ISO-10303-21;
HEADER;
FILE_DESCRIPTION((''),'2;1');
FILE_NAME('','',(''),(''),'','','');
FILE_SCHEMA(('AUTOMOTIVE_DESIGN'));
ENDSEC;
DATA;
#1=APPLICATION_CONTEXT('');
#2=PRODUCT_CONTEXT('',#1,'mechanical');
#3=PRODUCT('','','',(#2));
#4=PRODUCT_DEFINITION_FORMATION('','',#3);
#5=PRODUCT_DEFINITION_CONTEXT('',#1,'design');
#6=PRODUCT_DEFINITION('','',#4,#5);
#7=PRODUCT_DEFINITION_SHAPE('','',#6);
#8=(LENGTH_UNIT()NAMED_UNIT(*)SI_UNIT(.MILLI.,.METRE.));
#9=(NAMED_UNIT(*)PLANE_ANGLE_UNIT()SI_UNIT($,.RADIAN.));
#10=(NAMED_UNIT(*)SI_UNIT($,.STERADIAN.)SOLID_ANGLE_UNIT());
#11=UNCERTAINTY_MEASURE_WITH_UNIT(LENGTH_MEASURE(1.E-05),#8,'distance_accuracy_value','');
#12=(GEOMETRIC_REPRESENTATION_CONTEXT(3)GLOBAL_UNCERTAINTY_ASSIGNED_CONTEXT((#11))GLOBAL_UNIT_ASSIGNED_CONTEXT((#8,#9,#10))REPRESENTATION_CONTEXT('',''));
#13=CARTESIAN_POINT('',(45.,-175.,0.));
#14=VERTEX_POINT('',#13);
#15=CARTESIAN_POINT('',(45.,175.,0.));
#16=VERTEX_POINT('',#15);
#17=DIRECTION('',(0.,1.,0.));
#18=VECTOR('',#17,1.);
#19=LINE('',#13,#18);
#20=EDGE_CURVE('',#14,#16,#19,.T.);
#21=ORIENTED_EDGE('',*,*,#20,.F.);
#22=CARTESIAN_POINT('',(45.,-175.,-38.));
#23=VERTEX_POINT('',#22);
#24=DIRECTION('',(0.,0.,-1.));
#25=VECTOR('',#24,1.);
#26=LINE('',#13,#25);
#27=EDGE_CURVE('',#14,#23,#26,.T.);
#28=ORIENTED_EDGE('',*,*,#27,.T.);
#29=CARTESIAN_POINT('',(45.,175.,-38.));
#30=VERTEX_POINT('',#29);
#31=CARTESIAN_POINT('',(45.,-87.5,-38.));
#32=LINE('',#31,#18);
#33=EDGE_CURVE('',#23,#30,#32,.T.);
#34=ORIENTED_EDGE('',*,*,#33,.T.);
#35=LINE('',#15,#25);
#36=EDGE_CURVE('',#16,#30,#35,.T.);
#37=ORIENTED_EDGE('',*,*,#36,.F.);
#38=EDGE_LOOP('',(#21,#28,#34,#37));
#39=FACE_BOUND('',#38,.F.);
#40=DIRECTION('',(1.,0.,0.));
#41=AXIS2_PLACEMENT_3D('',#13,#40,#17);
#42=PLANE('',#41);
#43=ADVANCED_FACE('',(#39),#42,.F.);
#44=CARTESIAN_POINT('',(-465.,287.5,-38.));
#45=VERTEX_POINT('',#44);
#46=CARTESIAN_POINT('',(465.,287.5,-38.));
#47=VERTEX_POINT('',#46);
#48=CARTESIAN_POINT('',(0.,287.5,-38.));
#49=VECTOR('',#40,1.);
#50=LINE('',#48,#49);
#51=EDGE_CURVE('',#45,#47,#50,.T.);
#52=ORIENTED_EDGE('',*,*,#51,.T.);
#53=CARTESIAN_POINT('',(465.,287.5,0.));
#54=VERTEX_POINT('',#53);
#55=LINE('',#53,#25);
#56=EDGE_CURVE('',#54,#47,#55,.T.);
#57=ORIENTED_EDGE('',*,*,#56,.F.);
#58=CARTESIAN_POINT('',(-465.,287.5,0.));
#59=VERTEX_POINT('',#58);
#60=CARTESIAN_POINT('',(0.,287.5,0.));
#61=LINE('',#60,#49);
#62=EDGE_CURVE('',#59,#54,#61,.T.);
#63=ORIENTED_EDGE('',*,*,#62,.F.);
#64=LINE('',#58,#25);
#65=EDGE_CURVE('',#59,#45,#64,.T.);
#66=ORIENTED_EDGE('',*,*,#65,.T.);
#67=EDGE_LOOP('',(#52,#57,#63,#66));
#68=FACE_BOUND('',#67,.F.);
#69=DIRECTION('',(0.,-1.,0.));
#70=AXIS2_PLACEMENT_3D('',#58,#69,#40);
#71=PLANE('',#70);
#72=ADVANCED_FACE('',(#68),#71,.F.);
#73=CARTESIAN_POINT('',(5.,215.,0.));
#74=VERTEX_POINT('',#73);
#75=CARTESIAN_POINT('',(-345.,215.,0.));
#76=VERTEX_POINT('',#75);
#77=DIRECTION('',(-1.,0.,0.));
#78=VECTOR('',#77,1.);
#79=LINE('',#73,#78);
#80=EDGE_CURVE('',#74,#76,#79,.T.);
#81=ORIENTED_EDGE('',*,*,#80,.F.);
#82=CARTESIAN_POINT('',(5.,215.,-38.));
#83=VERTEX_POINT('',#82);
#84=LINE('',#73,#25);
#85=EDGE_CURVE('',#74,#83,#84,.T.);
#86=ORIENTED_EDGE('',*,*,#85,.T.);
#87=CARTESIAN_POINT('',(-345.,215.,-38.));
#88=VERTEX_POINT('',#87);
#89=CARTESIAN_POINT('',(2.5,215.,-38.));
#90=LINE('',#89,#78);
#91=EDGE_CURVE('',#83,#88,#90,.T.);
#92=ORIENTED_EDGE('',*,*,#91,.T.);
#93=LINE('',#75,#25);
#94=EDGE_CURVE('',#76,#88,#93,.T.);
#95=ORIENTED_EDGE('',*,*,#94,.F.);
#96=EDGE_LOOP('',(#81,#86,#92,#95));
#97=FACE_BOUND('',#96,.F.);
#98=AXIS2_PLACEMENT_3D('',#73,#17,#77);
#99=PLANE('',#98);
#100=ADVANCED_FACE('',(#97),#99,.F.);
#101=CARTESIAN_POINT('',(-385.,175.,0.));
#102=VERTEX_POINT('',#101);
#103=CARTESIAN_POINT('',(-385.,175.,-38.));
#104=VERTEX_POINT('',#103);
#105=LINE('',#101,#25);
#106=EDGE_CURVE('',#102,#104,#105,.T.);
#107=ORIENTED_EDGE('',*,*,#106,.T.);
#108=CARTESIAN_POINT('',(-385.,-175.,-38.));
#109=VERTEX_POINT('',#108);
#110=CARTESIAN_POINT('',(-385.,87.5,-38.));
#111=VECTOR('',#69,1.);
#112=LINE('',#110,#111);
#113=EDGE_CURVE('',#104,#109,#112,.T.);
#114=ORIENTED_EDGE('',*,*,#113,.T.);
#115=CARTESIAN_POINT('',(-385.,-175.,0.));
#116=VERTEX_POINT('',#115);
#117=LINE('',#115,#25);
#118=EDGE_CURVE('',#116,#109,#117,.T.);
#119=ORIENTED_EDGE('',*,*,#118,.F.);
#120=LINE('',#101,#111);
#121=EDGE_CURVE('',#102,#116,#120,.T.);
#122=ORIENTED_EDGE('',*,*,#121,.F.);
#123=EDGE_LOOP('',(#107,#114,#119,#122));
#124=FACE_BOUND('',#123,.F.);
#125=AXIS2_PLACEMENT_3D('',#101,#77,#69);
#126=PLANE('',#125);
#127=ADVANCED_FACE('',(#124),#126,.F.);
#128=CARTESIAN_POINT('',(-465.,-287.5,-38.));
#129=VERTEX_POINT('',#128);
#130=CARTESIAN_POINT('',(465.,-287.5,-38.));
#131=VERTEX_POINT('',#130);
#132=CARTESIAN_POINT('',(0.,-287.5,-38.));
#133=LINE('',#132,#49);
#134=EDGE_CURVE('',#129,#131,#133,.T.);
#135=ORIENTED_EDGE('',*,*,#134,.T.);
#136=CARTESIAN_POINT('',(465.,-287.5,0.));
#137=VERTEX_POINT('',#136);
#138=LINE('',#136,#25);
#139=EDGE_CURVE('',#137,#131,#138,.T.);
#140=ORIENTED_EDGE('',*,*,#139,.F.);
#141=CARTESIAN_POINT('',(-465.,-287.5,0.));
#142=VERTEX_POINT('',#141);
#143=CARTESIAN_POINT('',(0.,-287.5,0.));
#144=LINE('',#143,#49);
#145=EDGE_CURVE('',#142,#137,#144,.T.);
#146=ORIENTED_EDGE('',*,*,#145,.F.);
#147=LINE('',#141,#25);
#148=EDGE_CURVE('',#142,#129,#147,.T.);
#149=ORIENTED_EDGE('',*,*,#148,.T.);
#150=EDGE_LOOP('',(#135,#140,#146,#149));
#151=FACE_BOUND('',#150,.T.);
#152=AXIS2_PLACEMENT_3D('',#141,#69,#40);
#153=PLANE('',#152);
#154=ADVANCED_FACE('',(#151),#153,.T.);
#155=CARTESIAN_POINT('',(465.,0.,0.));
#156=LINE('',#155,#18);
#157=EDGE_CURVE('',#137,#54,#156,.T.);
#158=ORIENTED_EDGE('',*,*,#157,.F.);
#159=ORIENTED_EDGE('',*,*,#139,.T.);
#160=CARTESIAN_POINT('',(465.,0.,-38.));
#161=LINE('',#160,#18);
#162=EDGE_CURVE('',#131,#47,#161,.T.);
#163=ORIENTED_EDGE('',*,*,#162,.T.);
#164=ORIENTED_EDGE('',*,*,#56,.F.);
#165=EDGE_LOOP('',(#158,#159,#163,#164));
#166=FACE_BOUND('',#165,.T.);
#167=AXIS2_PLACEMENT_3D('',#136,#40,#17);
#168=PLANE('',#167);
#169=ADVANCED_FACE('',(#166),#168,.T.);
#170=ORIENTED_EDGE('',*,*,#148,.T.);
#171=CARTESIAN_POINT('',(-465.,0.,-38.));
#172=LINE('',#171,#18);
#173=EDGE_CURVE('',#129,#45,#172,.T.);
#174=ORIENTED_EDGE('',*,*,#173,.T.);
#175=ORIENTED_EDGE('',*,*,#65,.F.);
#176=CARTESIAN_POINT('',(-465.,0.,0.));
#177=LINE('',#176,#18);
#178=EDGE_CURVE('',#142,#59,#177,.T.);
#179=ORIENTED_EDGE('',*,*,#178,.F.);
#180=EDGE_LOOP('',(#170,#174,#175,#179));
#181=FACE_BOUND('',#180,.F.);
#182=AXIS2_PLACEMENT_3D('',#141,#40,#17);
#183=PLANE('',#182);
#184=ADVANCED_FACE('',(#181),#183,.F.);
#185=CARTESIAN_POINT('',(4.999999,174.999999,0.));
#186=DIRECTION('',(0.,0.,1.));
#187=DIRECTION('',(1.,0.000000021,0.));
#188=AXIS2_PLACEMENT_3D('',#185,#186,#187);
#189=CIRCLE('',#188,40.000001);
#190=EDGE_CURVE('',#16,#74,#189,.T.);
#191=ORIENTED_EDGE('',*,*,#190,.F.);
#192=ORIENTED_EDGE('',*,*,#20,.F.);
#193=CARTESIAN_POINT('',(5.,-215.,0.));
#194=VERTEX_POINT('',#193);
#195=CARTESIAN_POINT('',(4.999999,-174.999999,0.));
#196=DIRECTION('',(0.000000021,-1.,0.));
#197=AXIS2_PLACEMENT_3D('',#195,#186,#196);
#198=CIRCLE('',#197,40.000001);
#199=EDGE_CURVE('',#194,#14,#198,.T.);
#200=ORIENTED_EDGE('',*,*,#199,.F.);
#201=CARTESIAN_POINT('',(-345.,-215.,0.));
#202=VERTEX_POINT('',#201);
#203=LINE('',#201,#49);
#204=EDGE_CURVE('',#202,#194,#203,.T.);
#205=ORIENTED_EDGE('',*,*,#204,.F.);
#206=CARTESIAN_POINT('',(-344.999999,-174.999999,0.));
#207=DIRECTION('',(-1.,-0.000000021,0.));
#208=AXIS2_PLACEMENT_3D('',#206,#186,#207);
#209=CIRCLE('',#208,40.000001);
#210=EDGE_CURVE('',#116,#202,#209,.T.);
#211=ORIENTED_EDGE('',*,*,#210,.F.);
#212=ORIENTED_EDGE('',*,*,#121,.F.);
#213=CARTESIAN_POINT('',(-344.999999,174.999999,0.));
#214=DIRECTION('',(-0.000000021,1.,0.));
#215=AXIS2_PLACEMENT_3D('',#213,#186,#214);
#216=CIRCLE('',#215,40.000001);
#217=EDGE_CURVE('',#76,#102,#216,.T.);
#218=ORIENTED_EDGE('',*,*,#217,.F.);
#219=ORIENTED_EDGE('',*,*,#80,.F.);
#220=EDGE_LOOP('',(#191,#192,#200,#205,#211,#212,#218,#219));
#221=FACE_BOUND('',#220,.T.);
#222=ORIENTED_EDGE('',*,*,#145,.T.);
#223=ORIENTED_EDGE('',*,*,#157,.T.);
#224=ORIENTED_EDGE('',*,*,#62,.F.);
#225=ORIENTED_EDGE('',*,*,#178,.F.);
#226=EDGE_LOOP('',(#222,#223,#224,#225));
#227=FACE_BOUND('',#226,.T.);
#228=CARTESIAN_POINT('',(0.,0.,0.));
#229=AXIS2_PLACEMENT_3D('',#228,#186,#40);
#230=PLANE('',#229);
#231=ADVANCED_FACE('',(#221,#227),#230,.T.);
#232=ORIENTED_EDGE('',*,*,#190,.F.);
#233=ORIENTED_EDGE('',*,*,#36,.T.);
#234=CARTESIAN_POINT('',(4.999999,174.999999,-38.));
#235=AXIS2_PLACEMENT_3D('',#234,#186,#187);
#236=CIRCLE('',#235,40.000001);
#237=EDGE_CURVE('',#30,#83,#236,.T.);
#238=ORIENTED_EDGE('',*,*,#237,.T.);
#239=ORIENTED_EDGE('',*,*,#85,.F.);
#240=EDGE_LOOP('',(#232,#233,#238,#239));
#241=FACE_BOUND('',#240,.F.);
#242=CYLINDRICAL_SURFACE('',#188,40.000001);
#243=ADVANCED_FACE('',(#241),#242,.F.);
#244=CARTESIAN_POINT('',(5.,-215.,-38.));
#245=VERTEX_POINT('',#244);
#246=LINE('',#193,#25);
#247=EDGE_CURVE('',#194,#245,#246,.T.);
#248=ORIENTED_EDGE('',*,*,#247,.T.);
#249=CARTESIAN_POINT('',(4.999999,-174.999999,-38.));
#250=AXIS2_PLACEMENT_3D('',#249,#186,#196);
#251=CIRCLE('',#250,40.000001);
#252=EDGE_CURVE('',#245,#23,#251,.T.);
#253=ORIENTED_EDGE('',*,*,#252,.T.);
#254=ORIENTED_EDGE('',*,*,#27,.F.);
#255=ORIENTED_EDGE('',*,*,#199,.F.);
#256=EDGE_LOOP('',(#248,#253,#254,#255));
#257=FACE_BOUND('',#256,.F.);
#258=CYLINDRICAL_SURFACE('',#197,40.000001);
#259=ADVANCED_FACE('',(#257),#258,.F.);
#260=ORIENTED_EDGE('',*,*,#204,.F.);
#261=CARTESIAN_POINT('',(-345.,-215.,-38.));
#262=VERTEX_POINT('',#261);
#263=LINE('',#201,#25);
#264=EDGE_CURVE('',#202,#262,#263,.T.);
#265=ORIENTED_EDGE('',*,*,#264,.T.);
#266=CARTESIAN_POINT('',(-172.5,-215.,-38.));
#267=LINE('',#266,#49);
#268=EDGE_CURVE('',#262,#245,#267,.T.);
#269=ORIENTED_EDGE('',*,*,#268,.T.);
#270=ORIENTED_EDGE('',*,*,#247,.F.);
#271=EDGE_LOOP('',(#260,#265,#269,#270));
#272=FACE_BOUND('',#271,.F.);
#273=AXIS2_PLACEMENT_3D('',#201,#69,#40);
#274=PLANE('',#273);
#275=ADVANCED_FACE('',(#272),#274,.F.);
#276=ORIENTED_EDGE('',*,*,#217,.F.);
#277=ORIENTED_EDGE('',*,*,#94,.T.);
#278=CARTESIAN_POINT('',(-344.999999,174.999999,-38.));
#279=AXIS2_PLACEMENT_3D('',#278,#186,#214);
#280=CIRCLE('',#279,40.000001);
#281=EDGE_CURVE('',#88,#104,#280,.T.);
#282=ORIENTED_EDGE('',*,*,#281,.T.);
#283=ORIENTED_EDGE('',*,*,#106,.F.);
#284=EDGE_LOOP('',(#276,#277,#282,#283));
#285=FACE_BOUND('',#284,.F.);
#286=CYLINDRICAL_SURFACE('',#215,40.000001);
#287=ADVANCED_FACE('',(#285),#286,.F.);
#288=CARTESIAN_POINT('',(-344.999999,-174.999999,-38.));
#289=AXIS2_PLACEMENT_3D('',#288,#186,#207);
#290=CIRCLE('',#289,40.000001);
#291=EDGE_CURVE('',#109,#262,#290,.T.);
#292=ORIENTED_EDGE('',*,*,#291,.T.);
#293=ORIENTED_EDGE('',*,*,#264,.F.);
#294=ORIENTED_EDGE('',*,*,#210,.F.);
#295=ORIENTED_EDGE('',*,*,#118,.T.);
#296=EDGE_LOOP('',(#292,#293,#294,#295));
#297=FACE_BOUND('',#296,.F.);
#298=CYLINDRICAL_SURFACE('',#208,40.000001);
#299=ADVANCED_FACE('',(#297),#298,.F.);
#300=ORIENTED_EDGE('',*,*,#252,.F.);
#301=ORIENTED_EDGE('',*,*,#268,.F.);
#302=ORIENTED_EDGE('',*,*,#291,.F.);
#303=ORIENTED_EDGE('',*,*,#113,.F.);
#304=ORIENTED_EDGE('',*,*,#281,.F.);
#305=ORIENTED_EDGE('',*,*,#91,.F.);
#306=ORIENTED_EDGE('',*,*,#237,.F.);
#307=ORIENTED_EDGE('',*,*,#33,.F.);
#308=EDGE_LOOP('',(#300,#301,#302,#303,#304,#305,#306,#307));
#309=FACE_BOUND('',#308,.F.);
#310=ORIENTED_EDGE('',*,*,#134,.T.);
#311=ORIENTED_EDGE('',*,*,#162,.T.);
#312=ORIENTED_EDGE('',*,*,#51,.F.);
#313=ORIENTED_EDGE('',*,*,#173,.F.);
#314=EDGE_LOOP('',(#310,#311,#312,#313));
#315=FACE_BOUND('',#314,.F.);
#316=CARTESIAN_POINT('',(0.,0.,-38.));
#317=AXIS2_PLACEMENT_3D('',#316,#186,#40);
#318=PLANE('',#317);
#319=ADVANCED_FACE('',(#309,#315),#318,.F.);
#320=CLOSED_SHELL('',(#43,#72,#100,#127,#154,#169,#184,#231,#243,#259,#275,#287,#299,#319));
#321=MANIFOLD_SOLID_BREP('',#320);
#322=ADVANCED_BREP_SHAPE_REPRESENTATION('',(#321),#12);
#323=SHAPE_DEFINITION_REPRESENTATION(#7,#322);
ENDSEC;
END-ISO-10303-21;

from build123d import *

# Parameters (mm, degrees)
F0_W     = 930
F0_H     = 575
F1_DEPTH = 38
F3_DEPTH = 38.001


with BuildPart() as f1:
    # F0 (on Top) → F1 (new body)
    with BuildSketch(Plane.XY):
        Rectangle(F0_W, F0_H)
    extrude(amount=-F1_DEPTH)

    # F2 (on face) → F3 (cut, through all)
    with BuildSketch(Plane.XY):
        with BuildLine():
            Line((5, 215), (-345, 215))
            ThreePointArc((-345, 215), (-373.284271, 203.284271), (-385, 175))
            Line((-385, 175), (-385, -175))
            ThreePointArc((-385, -175), (-373.284271, -203.284271), (-345, -215))
            Line((-345, -215), (5, -215))
            ThreePointArc((5, -215), (33.284271, -203.284271), (45, -175))
            Line((45, -175), (45, 175))
            ThreePointArc((45, 175), (33.284271, 203.284271), (5, 215))
        make_face()
    extrude(amount=-F3_DEPTH, mode=Mode.SUBTRACT)


solid = f1.part
